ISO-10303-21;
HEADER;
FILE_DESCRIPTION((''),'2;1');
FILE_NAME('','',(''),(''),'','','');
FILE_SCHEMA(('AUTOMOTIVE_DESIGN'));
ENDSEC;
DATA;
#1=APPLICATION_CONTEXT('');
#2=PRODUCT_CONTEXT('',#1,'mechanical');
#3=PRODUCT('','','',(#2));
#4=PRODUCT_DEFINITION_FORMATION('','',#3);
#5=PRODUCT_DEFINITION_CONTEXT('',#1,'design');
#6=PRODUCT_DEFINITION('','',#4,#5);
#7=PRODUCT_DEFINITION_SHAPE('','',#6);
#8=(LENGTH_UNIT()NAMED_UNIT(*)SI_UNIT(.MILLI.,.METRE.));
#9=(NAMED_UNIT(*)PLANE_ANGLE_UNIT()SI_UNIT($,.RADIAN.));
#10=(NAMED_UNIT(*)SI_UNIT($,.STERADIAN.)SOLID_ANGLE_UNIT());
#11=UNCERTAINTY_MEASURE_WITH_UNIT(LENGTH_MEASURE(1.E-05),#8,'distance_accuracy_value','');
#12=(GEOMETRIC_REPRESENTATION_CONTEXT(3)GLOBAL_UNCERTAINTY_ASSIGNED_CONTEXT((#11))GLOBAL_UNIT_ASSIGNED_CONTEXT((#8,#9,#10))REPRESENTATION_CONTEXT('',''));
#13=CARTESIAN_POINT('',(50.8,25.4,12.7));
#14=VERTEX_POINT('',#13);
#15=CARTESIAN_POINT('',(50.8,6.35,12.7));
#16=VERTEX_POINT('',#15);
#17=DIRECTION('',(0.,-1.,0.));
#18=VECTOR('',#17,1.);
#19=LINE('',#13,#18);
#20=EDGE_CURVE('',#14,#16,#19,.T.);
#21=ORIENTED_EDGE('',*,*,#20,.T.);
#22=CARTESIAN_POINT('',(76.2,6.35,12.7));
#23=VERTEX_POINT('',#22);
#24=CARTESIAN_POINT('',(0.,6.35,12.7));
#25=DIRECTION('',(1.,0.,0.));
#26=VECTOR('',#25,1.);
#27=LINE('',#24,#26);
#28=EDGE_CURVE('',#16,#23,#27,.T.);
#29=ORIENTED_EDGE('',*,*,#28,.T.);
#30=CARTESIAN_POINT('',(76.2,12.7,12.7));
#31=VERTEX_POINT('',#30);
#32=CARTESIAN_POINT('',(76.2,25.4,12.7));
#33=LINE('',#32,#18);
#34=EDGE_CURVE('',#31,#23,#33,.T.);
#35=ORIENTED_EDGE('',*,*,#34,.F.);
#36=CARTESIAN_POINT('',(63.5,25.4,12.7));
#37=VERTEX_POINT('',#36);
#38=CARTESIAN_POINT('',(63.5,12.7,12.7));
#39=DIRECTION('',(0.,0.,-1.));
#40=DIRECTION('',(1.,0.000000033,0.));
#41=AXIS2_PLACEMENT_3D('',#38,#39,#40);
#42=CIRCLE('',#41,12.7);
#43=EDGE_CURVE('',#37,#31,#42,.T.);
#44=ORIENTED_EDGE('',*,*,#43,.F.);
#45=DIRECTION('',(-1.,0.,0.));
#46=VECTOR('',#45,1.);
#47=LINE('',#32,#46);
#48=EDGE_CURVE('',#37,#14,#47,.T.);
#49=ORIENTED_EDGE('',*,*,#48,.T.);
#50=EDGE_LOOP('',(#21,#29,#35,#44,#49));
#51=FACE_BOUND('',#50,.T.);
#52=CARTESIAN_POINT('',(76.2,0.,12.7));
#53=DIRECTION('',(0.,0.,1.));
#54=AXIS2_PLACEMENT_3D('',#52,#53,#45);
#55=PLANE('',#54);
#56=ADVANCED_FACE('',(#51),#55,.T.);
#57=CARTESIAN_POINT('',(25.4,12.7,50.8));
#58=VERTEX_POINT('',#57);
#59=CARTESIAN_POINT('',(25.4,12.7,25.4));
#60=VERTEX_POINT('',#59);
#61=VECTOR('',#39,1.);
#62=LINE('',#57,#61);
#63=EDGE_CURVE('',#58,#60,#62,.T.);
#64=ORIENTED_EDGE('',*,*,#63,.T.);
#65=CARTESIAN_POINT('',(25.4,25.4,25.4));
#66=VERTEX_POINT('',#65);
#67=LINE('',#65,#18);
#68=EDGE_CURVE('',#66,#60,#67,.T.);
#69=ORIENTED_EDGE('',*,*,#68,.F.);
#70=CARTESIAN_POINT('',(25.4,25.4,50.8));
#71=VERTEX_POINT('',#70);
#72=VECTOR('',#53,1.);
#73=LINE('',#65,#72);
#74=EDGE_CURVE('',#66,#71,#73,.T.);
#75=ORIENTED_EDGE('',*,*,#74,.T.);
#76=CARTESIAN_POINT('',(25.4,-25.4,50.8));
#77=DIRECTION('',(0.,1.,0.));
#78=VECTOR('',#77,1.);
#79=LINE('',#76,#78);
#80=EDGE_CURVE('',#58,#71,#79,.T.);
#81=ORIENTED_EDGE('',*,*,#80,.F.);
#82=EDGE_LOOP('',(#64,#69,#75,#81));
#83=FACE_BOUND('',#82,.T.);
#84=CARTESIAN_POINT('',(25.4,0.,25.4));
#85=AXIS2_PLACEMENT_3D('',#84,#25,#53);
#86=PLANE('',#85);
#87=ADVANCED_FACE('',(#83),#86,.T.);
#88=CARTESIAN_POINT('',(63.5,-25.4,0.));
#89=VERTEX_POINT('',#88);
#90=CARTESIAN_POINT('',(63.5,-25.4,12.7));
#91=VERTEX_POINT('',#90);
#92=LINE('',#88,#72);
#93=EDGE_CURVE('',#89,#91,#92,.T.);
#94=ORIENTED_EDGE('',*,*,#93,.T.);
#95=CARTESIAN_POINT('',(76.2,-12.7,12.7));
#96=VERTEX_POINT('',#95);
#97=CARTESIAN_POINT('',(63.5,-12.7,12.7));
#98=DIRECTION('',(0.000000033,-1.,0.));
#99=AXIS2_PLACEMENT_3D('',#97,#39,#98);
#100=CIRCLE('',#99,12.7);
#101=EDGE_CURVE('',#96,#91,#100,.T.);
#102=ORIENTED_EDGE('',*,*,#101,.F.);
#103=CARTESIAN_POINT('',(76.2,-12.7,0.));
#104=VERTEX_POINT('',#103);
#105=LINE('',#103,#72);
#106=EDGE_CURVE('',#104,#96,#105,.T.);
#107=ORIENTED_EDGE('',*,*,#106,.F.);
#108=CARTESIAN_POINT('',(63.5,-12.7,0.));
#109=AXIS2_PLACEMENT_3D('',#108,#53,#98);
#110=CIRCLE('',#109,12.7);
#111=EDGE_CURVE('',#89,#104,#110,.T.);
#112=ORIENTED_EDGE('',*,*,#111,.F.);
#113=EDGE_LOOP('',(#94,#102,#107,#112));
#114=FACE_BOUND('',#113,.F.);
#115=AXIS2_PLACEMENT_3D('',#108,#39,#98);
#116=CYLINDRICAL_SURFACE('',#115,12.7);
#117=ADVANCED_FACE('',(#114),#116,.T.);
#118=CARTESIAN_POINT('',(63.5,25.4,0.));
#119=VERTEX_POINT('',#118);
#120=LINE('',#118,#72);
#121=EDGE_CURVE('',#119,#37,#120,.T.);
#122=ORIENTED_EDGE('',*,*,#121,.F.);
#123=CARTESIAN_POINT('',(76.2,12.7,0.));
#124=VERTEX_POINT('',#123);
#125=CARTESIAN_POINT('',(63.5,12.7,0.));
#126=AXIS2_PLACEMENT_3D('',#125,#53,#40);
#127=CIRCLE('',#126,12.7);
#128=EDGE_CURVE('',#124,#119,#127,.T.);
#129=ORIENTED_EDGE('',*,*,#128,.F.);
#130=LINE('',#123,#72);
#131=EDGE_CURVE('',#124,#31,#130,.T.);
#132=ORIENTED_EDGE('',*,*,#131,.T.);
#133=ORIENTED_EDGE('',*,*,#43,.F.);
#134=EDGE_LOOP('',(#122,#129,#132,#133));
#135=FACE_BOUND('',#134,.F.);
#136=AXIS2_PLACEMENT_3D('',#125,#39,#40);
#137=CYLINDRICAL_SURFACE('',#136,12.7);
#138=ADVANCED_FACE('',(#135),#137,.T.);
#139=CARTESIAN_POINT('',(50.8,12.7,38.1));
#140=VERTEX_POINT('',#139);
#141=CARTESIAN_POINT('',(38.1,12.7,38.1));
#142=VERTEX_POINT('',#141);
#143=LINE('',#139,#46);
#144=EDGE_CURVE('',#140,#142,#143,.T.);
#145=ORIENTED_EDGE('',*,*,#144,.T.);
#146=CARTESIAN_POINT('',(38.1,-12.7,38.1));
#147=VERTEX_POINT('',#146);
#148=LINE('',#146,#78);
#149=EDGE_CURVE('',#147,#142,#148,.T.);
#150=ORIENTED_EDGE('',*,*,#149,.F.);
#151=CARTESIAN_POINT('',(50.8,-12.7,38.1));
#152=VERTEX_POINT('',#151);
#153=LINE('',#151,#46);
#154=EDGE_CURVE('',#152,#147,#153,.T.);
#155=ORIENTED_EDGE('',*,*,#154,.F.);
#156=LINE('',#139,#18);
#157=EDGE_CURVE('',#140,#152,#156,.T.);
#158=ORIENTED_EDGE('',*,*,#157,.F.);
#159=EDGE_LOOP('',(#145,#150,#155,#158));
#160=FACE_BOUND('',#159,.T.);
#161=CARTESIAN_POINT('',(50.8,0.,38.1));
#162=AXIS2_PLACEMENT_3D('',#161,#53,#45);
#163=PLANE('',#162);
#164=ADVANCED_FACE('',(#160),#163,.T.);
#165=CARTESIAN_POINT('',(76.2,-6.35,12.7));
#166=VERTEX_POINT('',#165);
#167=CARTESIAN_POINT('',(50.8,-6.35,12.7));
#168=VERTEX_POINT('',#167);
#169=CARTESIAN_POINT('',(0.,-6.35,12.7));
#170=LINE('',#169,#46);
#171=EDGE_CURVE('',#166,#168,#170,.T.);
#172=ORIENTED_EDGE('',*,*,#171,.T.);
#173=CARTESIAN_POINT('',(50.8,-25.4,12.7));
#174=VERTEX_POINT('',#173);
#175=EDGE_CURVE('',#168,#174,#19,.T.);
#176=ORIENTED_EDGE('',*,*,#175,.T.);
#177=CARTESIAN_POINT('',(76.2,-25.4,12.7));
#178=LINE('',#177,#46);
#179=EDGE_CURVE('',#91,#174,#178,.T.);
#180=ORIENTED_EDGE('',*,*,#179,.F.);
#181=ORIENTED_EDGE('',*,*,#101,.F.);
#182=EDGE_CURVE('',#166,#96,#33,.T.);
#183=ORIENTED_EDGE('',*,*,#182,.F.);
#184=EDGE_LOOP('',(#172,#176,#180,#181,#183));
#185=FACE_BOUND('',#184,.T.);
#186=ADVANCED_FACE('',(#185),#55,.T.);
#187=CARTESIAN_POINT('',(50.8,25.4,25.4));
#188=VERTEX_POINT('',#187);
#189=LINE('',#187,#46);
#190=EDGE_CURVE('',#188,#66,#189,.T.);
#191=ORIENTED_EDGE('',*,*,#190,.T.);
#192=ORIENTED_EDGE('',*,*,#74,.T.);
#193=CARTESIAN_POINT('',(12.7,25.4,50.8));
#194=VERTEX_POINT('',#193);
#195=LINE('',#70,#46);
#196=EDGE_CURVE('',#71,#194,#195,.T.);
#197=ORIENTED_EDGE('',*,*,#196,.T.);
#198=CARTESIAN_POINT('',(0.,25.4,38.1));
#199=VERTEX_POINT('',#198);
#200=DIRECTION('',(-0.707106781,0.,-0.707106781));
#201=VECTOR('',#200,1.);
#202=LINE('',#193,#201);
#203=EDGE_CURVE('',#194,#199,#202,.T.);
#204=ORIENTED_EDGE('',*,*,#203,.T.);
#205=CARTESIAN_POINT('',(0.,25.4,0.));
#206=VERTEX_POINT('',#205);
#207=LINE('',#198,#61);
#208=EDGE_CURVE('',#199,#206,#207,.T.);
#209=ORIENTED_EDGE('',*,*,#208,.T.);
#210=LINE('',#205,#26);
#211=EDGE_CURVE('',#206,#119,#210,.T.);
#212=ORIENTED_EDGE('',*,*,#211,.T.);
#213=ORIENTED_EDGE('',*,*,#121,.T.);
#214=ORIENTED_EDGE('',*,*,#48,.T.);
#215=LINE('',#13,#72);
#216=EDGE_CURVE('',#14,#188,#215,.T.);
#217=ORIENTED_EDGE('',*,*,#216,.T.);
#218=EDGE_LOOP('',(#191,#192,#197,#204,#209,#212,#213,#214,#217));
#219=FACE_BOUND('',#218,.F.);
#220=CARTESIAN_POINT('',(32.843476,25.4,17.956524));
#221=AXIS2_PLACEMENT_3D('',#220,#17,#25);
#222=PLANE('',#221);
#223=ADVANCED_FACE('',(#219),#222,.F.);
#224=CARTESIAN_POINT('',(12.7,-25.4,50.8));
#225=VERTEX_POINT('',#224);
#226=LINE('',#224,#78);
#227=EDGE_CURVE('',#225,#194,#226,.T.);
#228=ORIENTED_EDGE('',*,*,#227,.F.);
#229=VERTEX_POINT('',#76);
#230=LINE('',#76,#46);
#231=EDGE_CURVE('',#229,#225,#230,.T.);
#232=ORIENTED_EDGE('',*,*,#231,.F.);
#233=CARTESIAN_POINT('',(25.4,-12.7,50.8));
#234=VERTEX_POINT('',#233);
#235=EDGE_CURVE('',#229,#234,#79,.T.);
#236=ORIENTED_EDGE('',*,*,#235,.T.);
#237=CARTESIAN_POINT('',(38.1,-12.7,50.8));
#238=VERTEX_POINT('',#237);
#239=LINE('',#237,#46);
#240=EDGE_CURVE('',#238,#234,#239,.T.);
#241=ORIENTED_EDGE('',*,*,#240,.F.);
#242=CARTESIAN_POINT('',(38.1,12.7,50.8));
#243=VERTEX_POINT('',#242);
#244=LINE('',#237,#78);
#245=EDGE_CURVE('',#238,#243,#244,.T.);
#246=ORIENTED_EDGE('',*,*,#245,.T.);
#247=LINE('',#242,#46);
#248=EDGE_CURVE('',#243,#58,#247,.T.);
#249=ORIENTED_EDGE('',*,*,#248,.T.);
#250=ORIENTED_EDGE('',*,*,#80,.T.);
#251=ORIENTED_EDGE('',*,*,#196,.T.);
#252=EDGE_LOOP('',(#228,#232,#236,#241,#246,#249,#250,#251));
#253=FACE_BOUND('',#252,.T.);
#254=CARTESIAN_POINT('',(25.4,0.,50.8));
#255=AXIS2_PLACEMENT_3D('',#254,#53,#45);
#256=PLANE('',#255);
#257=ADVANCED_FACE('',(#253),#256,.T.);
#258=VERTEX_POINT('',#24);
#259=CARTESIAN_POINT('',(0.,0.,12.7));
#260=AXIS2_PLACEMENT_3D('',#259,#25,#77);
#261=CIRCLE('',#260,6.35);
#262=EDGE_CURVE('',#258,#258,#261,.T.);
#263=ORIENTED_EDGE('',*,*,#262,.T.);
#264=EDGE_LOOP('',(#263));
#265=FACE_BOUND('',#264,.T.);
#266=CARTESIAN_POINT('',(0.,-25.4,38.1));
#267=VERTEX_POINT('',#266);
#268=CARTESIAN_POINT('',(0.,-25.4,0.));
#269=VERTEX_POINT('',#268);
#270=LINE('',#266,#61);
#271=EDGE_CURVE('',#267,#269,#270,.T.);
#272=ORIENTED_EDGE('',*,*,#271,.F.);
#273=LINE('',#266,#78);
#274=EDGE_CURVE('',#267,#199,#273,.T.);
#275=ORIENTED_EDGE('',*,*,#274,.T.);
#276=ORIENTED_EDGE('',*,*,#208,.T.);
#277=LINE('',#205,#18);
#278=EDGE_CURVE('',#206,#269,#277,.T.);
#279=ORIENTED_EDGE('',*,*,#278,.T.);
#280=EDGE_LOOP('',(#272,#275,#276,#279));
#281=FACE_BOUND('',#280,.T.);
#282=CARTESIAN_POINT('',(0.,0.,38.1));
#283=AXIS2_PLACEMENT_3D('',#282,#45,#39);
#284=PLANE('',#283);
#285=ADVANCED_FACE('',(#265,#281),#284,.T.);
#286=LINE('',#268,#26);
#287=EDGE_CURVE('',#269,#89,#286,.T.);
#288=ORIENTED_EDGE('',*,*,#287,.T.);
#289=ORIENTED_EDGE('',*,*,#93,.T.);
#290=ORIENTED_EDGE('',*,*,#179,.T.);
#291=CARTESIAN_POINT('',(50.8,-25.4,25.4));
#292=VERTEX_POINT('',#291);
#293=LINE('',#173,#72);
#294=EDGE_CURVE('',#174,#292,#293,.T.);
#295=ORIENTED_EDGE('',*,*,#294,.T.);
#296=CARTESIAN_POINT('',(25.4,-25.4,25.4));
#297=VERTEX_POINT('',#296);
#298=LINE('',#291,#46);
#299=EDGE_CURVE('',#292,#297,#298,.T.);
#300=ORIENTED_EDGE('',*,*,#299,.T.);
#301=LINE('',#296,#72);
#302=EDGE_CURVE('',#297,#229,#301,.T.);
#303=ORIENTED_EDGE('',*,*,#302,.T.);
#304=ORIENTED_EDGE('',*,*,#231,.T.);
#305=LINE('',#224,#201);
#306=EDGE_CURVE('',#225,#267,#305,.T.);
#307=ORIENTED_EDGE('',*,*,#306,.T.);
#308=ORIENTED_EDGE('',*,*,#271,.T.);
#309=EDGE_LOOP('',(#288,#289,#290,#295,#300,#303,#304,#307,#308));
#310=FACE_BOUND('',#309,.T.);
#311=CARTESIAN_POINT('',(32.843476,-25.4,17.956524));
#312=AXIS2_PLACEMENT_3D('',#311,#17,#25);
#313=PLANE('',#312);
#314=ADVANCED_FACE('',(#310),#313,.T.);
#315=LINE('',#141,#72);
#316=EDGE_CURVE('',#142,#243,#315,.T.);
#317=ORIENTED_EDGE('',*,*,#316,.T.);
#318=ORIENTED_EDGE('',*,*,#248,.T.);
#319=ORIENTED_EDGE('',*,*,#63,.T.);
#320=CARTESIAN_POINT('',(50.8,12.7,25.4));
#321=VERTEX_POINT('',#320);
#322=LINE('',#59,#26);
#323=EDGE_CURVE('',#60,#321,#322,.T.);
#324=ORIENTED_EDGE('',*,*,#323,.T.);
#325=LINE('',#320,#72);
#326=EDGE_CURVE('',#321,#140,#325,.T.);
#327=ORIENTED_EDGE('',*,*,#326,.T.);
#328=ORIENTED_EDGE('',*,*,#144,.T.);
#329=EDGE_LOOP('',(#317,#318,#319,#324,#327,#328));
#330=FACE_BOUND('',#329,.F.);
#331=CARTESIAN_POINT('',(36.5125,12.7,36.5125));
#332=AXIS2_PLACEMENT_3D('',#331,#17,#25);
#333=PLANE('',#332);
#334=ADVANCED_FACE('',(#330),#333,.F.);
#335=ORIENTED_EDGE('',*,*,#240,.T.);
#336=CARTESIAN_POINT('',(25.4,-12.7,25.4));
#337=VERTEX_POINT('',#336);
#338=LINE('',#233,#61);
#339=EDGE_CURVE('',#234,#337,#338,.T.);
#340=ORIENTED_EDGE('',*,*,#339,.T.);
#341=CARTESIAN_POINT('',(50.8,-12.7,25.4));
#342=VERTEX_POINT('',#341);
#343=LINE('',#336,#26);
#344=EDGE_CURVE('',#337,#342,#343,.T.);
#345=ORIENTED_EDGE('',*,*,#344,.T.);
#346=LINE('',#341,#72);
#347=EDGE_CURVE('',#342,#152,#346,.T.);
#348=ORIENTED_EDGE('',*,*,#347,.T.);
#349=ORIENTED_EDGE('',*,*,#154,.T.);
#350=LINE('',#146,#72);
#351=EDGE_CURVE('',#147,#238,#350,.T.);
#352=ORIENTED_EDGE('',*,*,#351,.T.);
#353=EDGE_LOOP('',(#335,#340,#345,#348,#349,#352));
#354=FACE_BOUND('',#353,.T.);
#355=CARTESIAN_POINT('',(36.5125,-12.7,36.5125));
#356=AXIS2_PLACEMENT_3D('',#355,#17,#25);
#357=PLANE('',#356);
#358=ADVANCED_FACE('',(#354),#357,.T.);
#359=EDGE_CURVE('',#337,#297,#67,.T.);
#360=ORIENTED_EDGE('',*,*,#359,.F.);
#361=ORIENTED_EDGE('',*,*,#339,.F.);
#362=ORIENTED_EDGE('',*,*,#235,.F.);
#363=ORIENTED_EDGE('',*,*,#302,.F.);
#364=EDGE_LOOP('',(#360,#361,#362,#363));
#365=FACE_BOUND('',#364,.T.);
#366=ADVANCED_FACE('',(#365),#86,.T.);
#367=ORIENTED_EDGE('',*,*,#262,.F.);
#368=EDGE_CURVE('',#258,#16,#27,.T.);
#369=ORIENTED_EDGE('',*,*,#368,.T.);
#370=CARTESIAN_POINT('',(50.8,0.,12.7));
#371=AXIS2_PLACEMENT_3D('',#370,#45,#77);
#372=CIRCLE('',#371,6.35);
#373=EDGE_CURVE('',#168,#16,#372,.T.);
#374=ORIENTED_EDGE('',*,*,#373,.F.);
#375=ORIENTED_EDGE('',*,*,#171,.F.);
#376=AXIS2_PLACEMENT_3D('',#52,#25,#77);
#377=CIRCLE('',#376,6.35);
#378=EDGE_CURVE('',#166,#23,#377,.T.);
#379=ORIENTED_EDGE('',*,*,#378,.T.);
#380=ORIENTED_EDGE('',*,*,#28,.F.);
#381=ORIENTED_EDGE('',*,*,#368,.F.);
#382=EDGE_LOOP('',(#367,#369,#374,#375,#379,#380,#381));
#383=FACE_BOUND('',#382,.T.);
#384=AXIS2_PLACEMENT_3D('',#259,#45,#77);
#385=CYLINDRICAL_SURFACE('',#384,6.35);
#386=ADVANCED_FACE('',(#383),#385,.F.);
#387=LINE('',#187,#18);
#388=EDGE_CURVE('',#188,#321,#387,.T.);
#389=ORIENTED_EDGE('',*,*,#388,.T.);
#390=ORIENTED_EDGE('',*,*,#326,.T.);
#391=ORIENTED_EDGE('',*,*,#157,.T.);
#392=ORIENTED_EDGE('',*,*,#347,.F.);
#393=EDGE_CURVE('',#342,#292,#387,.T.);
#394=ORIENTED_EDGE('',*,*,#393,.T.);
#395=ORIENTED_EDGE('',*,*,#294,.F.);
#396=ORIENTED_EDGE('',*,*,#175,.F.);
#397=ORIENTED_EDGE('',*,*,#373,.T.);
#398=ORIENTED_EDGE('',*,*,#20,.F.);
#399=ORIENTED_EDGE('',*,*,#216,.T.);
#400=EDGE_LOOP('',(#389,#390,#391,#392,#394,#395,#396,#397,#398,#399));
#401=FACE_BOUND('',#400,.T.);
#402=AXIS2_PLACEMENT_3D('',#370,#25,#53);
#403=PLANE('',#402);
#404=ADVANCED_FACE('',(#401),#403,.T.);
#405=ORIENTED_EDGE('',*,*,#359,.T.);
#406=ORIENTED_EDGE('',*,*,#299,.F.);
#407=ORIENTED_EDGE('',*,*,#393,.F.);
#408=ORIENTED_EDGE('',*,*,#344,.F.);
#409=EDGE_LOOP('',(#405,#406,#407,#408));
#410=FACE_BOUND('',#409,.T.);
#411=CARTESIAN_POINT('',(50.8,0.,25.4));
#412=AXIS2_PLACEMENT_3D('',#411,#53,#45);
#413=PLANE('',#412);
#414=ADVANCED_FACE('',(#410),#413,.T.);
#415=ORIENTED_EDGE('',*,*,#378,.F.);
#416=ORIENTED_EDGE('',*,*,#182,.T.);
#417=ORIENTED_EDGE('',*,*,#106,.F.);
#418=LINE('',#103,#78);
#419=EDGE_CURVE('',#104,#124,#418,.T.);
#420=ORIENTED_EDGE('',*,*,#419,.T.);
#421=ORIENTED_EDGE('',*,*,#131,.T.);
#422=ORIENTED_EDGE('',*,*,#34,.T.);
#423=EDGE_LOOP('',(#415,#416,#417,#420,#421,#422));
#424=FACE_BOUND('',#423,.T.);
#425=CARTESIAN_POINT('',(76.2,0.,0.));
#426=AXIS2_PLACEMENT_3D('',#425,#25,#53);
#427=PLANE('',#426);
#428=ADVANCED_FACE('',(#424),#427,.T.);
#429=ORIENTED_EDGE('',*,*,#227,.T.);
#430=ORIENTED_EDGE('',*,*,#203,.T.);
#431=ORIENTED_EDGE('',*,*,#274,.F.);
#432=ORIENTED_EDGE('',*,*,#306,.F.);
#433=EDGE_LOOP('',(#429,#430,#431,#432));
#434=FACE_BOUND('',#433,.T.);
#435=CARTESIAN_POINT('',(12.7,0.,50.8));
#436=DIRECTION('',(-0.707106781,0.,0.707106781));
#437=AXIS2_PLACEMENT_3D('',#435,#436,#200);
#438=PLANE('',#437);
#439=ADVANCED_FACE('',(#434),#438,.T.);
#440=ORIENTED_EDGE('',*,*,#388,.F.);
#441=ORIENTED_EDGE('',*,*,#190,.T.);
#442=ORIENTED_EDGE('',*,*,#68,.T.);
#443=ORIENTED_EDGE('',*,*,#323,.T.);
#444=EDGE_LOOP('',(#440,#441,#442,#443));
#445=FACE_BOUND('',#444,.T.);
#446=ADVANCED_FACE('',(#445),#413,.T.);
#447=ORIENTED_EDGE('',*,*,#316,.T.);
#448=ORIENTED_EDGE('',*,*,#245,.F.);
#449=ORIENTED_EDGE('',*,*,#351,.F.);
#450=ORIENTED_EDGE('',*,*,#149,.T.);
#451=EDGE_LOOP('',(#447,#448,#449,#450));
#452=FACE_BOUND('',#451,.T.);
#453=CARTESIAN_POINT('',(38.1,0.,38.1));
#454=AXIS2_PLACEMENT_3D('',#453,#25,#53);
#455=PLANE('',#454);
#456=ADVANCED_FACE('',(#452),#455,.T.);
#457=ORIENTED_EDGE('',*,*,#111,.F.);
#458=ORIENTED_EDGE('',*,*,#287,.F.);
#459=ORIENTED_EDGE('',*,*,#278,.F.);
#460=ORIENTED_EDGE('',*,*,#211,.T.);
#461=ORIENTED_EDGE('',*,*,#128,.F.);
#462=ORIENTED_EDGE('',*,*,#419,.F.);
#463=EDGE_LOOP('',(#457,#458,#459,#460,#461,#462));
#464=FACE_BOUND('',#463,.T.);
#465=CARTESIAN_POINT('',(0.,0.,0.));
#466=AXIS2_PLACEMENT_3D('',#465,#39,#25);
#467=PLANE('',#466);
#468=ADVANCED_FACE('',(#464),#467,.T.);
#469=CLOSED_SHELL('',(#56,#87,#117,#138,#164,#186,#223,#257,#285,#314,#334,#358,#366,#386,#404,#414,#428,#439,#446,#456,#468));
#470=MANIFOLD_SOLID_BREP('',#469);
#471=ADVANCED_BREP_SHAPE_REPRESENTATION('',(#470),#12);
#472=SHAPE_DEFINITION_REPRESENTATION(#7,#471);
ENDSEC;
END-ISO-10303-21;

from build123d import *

# Parameters (mm, degrees)
F1_DEPTH = 25.4
F3_DEPTH = 12.7
F5_DEPTH = 76.2
F6_R     = 6.35
F7_DEPTH = 76.2


with BuildPart() as f1:
    # F0 (on Front) → F1 (new body, symmetric)
    with BuildSketch(Plane.XZ):
        Polygon((0, 38.1), (0, 0), (76.2, 0), (76.2, 12.7), (50.8, 12.7), (50.8, 25.4), (25.4, 25.4), (25.4, 50.8), (12.7, 50.8), align=None)
    extrude(amount=F1_DEPTH, both=True)

    # F2 (on Front) → F3 (join, symmetric)
    with BuildSketch(Plane.XZ):
        Polygon((25.4, 50.8), (25.4, 25.4), (50.8, 25.4), (50.8, 38.1), (38.1, 38.1), (38.1, 50.8), align=None)
    extrude(amount=F3_DEPTH, both=True)

    # F4 (on Top) → F5 (intersect)
    with BuildSketch(Plane.XY):
        with BuildLine():
            Line((0, 25.4), (0, -25.4))
            Line((0, -25.4), (63.5, -25.4))
            ThreePointArc((63.5, -25.4), (72.480256, -21.680256), (76.2, -12.7))
            Line((76.2, -12.7), (76.2, 12.7))
            ThreePointArc((76.2, 12.7), (72.480256, 21.680256), (63.5, 25.4))
            Line((63.5, 25.4), (0, 25.4))
        make_face()
    extrude(amount=F5_DEPTH, mode=Mode.INTERSECT)

    # F6 (on Right) → F7 (cut)
    with BuildSketch(Plane.YZ):
        with Locations((0, 12.7)):
            Circle(F6_R)
    extrude(amount=F7_DEPTH, mode=Mode.SUBTRACT)


solid = f1.part
